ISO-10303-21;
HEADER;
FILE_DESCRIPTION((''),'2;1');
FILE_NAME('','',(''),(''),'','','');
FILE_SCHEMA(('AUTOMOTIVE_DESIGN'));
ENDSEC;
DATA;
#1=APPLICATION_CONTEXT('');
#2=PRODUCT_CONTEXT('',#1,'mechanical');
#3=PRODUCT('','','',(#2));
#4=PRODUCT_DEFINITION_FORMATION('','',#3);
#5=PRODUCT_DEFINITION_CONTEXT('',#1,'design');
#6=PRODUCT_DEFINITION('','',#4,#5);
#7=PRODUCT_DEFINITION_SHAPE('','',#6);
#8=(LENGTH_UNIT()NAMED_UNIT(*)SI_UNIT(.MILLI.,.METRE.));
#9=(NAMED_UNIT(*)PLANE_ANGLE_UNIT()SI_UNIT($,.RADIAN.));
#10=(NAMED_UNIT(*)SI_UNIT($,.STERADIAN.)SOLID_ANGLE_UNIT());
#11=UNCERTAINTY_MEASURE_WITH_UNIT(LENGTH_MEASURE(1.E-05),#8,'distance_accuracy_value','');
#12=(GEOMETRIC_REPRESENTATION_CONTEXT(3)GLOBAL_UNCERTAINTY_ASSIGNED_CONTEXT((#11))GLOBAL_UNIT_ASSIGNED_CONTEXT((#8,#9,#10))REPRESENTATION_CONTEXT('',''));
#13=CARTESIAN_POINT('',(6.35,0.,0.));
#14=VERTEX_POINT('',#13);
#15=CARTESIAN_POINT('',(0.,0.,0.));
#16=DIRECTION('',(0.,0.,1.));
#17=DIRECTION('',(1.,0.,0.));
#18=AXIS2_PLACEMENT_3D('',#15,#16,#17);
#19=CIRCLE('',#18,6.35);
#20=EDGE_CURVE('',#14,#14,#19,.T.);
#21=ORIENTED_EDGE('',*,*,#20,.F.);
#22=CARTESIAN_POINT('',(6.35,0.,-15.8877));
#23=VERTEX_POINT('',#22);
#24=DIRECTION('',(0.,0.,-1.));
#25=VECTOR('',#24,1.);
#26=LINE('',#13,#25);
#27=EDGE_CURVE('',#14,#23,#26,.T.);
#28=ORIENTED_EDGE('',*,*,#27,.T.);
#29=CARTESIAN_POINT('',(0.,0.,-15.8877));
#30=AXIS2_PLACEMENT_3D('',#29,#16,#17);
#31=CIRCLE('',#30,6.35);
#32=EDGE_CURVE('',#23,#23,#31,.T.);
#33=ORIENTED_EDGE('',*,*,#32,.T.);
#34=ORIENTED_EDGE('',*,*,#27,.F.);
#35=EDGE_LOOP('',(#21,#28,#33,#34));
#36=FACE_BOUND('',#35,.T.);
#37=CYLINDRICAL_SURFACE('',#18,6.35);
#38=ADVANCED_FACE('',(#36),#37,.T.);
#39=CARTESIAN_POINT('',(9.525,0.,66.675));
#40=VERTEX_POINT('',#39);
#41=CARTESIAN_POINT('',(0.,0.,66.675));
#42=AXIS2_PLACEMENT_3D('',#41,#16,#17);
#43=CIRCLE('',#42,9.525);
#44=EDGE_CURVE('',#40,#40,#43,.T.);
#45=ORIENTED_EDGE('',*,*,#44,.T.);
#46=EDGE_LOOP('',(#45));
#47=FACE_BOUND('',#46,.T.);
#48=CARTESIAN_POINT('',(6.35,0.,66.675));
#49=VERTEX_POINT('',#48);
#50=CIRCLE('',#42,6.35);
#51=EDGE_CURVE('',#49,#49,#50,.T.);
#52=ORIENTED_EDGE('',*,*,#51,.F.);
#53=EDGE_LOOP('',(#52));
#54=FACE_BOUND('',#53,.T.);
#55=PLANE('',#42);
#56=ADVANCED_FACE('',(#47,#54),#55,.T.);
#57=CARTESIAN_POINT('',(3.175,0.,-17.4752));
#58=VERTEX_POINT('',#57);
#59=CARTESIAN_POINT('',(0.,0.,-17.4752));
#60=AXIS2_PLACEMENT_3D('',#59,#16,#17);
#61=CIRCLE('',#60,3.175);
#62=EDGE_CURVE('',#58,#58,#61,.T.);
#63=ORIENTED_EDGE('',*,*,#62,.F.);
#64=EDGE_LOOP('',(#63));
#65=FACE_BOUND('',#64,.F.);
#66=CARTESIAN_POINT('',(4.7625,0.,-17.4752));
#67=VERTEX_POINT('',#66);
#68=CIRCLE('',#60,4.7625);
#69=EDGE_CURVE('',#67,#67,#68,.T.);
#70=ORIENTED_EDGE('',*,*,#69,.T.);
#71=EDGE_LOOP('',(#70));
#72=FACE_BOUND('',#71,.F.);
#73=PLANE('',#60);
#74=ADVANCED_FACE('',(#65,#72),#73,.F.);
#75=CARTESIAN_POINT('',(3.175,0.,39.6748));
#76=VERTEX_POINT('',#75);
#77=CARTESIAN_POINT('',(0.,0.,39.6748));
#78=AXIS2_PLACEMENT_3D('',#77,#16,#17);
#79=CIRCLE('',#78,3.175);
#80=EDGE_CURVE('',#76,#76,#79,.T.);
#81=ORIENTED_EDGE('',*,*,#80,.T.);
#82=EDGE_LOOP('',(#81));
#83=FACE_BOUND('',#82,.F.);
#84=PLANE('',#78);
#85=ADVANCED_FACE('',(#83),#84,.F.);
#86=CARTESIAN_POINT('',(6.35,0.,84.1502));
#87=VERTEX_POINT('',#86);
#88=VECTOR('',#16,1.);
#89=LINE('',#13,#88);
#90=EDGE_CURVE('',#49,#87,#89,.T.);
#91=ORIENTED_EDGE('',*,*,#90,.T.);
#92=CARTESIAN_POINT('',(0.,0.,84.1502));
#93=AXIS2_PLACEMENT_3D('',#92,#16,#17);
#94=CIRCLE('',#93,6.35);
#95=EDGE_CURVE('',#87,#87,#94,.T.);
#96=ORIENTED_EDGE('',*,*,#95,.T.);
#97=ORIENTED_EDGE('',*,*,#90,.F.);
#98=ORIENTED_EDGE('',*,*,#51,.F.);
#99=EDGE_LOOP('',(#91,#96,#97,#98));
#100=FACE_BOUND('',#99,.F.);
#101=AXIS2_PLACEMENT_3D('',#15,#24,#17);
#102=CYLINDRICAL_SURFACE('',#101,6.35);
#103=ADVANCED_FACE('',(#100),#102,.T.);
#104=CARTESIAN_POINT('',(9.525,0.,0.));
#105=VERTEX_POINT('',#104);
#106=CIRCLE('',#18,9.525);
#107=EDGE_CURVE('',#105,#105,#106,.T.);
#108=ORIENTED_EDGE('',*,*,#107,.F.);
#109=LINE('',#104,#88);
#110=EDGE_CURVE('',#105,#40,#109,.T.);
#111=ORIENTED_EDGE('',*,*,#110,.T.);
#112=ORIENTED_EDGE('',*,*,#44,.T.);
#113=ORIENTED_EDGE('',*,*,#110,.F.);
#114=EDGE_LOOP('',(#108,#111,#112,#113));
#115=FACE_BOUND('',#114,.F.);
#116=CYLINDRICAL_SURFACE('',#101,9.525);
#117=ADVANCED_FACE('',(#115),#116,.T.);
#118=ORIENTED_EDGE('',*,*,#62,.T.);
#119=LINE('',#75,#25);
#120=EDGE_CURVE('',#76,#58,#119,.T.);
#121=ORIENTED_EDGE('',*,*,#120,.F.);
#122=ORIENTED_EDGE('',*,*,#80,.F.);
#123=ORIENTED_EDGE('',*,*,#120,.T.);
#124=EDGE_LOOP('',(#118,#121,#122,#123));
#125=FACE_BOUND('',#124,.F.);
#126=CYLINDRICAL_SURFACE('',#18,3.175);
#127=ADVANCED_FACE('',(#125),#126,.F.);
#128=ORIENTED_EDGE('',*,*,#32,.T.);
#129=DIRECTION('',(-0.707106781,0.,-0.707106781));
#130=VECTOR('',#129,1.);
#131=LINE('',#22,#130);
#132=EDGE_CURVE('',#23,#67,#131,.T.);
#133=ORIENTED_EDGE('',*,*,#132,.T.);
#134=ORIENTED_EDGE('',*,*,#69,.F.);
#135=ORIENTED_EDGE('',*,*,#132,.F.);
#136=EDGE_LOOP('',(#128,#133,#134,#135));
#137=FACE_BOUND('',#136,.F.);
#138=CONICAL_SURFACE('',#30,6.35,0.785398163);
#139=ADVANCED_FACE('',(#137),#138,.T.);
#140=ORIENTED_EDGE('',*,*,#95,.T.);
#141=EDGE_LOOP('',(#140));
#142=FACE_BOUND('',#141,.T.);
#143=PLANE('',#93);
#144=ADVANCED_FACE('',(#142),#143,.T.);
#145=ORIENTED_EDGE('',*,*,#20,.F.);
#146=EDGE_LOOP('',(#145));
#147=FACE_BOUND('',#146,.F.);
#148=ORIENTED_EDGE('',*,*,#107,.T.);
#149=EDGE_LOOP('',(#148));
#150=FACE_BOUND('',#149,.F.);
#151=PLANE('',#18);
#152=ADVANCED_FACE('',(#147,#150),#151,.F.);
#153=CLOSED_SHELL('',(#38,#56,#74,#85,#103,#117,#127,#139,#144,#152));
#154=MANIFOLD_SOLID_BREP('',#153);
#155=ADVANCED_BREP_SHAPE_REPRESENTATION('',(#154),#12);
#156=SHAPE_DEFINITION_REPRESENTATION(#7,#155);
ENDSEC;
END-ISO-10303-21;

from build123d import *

# Parameters (mm, degrees)
F0_R     = 9.525
F0_R_2   = 6.35
F1_DEPTH = 66.675
F0_R_3   = 3.175
F2_DEPTH = 84.1502
F3_DEPTH = 17.4752
F4_SIZE  = 1.5875
F5_R     = 3.175
F6_DEPTH = 44.4754


with BuildPart() as f1:
    # F0 (on Top) → F1 (new body)
    with BuildSketch(Plane.XY):
        Circle(F0_R)
        Circle(F0_R_2, mode=Mode.SUBTRACT)
    extrude(amount=F1_DEPTH)

    # F0 (on Top) → F2 (join)
    with BuildSketch(Plane.XY):
        Circle(F0_R_2)
        Circle(F0_R_3, mode=Mode.SUBTRACT)
    extrude(amount=F2_DEPTH)

    # F0 (on Top) → F3 (join)
    with BuildSketch(Plane.XY):
        Circle(F0_R_2)
        Circle(F0_R_3, mode=Mode.SUBTRACT)
    extrude(amount=-F3_DEPTH)

    # F4
    f4_edges = [f1.edges().sort_by_distance(p)[0] for p in [
        (-6.35, 0, -17.4752),
    ]]
    chamfer(f4_edges, length=F4_SIZE)

    # F5 (on face) → F6 (join)
    with BuildSketch(Plane.XY.offset(84.1502)):
        Circle(F5_R)
    extrude(amount=-F6_DEPTH)


solid = f1.part
